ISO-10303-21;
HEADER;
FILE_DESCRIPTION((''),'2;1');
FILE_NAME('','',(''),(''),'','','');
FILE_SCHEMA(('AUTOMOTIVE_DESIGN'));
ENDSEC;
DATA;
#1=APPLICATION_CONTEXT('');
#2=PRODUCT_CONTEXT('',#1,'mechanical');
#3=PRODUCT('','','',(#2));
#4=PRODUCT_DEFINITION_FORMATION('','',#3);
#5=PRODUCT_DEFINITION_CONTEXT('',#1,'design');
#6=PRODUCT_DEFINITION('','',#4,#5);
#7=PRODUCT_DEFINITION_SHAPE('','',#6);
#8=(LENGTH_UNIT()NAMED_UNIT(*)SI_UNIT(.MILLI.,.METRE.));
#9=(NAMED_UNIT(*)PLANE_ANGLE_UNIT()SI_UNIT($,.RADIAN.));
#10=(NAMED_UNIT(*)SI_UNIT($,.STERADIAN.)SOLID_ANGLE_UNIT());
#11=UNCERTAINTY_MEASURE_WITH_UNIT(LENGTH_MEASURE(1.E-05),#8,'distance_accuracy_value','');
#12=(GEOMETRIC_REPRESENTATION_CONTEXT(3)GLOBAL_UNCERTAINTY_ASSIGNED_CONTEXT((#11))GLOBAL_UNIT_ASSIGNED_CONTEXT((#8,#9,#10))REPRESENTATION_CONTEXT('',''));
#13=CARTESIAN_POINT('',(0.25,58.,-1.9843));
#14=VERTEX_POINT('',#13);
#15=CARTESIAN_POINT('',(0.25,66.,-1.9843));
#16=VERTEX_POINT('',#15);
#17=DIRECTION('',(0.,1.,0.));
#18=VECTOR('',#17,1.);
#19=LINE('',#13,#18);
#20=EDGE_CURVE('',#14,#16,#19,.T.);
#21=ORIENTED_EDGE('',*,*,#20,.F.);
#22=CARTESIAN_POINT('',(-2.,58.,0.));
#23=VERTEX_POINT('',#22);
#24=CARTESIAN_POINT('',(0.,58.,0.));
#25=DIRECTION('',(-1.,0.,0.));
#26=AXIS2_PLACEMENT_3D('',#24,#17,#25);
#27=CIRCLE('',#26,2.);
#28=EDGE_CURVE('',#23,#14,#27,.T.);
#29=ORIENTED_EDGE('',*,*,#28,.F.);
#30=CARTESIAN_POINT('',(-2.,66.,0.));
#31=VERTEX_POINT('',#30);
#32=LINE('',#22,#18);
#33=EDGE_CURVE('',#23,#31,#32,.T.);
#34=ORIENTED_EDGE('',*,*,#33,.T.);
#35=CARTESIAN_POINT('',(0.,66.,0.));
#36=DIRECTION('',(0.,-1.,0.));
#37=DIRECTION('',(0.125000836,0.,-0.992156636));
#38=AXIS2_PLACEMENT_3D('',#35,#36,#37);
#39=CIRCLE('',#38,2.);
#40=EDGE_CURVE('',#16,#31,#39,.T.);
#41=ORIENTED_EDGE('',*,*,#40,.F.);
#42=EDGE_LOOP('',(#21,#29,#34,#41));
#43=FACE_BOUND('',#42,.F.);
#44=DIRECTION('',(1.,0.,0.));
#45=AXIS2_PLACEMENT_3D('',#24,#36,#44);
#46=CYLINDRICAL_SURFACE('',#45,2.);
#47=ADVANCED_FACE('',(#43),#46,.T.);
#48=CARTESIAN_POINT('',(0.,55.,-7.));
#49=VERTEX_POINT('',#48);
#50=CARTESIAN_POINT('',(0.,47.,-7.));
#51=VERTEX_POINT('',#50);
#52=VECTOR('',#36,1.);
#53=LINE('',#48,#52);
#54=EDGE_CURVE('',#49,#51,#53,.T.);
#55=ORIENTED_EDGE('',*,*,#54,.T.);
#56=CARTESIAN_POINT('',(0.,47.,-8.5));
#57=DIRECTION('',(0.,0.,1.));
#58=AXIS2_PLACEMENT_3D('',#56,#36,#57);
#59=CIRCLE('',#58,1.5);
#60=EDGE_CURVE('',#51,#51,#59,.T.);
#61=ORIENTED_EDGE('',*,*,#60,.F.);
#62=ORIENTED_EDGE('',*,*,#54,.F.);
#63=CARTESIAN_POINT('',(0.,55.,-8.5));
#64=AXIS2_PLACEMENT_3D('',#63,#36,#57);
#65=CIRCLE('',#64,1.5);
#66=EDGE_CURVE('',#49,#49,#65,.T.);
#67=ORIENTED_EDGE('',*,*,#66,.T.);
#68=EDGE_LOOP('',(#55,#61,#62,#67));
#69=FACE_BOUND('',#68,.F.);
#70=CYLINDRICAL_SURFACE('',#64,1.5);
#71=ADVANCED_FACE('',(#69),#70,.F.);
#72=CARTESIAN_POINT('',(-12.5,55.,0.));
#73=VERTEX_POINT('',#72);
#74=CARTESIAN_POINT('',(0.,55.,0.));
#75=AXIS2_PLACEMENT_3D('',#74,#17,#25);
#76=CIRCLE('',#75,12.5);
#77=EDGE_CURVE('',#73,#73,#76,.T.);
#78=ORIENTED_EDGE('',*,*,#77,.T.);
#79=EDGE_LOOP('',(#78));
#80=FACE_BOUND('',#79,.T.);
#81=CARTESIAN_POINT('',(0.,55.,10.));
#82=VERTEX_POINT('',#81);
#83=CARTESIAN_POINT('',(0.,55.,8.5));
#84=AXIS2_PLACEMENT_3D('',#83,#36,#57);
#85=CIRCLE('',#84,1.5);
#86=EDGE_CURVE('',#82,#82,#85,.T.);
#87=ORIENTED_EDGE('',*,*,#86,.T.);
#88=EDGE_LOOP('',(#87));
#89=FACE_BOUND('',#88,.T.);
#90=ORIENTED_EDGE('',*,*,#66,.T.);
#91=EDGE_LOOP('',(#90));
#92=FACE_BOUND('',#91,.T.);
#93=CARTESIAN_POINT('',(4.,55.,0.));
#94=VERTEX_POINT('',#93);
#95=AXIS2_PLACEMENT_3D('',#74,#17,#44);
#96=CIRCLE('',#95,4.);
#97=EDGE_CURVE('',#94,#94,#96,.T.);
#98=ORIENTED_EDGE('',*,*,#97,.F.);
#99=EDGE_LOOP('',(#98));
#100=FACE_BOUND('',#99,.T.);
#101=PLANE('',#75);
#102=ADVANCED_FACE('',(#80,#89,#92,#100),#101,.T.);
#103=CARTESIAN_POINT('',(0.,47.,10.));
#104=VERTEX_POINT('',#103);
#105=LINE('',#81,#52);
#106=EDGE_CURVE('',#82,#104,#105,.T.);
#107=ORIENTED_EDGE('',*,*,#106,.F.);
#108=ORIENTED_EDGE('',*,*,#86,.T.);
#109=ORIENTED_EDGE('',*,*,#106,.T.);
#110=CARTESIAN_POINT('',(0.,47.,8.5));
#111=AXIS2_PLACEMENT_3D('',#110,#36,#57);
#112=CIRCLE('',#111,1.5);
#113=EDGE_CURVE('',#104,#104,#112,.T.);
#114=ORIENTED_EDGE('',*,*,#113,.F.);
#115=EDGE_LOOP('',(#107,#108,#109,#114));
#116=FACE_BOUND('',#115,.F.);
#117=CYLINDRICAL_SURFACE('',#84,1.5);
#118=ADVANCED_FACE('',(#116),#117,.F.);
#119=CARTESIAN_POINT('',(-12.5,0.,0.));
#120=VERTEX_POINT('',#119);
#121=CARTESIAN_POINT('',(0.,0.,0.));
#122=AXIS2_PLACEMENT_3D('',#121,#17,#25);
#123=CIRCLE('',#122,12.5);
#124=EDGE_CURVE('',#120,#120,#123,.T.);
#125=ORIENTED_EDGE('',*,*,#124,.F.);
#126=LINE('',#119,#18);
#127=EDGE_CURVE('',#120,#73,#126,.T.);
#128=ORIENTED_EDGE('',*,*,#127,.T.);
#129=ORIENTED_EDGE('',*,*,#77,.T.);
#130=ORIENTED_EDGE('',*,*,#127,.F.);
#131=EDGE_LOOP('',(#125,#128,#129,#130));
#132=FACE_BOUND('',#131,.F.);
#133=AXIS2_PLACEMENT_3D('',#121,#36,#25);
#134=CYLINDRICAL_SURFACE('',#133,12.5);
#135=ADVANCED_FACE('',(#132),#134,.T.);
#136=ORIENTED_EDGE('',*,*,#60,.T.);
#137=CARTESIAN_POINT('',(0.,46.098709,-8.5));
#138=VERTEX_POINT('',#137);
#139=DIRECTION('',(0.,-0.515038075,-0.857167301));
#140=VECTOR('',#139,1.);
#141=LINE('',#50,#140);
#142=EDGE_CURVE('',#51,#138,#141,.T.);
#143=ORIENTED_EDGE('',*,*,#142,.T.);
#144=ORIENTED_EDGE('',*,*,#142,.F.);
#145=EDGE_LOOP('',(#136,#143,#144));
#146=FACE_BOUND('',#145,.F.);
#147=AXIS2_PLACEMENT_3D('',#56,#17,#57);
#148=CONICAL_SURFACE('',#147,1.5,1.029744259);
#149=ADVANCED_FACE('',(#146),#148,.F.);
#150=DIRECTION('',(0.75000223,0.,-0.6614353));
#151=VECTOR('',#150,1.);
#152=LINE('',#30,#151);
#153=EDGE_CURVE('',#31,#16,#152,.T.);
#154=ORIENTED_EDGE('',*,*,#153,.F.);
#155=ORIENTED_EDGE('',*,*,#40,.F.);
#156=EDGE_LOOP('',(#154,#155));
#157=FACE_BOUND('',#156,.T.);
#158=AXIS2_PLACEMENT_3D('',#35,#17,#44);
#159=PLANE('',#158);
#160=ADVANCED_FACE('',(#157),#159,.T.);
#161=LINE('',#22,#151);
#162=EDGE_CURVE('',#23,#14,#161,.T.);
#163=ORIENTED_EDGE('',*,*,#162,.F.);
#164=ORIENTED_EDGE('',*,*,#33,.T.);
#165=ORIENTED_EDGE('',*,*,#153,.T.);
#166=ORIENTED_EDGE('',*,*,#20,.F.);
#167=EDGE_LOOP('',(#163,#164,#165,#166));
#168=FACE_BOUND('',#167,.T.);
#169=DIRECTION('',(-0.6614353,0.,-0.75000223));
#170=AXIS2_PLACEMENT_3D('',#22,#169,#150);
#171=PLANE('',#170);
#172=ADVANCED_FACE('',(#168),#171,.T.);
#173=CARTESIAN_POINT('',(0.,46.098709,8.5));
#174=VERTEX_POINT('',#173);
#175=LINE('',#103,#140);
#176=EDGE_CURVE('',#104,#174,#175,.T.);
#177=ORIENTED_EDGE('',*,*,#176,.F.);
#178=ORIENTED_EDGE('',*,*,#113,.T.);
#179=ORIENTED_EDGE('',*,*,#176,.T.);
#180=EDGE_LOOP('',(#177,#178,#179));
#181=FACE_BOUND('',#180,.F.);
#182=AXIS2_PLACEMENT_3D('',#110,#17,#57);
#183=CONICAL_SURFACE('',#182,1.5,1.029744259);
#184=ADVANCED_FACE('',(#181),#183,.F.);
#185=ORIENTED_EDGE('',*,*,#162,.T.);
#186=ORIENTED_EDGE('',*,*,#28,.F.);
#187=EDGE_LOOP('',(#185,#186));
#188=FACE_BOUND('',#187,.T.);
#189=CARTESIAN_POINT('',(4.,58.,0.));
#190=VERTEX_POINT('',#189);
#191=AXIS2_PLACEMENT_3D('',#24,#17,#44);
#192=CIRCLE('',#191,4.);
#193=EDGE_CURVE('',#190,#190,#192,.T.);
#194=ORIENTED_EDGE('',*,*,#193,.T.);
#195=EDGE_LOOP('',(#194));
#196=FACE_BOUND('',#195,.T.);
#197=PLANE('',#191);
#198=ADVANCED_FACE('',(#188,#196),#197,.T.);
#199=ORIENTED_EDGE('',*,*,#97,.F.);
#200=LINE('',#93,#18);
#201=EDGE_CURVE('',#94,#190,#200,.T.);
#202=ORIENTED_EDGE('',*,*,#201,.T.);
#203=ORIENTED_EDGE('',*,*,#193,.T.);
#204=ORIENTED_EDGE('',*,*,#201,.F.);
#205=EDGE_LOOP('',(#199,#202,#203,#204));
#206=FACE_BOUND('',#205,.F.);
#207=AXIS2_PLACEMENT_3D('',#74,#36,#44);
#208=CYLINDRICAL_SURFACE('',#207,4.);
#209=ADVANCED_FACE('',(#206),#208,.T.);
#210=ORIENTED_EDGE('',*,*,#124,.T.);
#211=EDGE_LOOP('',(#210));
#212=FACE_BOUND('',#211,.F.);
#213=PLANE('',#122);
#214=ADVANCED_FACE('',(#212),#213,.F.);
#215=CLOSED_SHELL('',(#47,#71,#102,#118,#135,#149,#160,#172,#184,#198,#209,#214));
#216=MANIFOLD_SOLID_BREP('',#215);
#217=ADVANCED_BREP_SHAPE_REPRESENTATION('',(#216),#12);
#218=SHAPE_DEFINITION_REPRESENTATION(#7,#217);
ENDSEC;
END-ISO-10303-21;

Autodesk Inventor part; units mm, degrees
ref_plane "XZ Plane" through (0, 0, 0) normal (0, 1, 0) x (-1, 0, 0)
sketch "Sketch1" plane through (0, 0, 0) normal (0, 1, 0) x (-1, 0, 0)
  circle A0 centre (0, 0) radius 12.5
  dimension "d0" = 25
extrude "Extrusion1" add sketch "Sketch1" along normal blind 55
sketch "Sketch2" plane through (0, 55, 0) normal (0, 1, 0) x (1, 0, 0)
  circle A0 centre (0, 0) radius 12.5 projected
  circle A1 centre (0, 0) radius 4
  dimension "d3" = 8
extrude "Extrusion2" add sketch "Sketch2" along normal blind 3 contours A1
sketch "Sketch3" plane through (0, 58, 0) normal (0, 1, 0) x (1, 0, 0)
  circle A0 centre (0, 0) radius 4 projected
  circle A1 centre (0, 0) radius 2
  line L0 (-2, 0) -> (0.25, 1.9843)
  line L1 (-17.5, 0) -> (17.5, 0) projected
  dimension "d6" = 4
  dimension "d7" = 3
extrude "Extrusion3" add sketch "Sketch3" along normal blind 8 contours L1 L0 A1 | A1 L1
sketch "Sketch4" plane through (0, 55, 0) normal (0, 1, 0) x (1, 0, 0)
  circle A0 centre (0, 0) radius 4 projected
  circle A1 centre (0, 0) radius 12.5 projected
  circle A2 centre (0, 0) radius 8.5 construction
  line L0 (-17.5, 0) -> (17.5, 0) construction
  line L1 (0, 17.5) -> (0, -17.5) construction
  point P0 (0, -8.5)
  point P1 (0, 8.5)
  dimension "d10" = 17
hole "Hole1" at (0, 55, -8.5) at (0, 55, 8.5) direction (0, -1, 0) diameter 3 depth 8 tip angle 118
properties part number "motor_small" material "Iron, Malleable"
